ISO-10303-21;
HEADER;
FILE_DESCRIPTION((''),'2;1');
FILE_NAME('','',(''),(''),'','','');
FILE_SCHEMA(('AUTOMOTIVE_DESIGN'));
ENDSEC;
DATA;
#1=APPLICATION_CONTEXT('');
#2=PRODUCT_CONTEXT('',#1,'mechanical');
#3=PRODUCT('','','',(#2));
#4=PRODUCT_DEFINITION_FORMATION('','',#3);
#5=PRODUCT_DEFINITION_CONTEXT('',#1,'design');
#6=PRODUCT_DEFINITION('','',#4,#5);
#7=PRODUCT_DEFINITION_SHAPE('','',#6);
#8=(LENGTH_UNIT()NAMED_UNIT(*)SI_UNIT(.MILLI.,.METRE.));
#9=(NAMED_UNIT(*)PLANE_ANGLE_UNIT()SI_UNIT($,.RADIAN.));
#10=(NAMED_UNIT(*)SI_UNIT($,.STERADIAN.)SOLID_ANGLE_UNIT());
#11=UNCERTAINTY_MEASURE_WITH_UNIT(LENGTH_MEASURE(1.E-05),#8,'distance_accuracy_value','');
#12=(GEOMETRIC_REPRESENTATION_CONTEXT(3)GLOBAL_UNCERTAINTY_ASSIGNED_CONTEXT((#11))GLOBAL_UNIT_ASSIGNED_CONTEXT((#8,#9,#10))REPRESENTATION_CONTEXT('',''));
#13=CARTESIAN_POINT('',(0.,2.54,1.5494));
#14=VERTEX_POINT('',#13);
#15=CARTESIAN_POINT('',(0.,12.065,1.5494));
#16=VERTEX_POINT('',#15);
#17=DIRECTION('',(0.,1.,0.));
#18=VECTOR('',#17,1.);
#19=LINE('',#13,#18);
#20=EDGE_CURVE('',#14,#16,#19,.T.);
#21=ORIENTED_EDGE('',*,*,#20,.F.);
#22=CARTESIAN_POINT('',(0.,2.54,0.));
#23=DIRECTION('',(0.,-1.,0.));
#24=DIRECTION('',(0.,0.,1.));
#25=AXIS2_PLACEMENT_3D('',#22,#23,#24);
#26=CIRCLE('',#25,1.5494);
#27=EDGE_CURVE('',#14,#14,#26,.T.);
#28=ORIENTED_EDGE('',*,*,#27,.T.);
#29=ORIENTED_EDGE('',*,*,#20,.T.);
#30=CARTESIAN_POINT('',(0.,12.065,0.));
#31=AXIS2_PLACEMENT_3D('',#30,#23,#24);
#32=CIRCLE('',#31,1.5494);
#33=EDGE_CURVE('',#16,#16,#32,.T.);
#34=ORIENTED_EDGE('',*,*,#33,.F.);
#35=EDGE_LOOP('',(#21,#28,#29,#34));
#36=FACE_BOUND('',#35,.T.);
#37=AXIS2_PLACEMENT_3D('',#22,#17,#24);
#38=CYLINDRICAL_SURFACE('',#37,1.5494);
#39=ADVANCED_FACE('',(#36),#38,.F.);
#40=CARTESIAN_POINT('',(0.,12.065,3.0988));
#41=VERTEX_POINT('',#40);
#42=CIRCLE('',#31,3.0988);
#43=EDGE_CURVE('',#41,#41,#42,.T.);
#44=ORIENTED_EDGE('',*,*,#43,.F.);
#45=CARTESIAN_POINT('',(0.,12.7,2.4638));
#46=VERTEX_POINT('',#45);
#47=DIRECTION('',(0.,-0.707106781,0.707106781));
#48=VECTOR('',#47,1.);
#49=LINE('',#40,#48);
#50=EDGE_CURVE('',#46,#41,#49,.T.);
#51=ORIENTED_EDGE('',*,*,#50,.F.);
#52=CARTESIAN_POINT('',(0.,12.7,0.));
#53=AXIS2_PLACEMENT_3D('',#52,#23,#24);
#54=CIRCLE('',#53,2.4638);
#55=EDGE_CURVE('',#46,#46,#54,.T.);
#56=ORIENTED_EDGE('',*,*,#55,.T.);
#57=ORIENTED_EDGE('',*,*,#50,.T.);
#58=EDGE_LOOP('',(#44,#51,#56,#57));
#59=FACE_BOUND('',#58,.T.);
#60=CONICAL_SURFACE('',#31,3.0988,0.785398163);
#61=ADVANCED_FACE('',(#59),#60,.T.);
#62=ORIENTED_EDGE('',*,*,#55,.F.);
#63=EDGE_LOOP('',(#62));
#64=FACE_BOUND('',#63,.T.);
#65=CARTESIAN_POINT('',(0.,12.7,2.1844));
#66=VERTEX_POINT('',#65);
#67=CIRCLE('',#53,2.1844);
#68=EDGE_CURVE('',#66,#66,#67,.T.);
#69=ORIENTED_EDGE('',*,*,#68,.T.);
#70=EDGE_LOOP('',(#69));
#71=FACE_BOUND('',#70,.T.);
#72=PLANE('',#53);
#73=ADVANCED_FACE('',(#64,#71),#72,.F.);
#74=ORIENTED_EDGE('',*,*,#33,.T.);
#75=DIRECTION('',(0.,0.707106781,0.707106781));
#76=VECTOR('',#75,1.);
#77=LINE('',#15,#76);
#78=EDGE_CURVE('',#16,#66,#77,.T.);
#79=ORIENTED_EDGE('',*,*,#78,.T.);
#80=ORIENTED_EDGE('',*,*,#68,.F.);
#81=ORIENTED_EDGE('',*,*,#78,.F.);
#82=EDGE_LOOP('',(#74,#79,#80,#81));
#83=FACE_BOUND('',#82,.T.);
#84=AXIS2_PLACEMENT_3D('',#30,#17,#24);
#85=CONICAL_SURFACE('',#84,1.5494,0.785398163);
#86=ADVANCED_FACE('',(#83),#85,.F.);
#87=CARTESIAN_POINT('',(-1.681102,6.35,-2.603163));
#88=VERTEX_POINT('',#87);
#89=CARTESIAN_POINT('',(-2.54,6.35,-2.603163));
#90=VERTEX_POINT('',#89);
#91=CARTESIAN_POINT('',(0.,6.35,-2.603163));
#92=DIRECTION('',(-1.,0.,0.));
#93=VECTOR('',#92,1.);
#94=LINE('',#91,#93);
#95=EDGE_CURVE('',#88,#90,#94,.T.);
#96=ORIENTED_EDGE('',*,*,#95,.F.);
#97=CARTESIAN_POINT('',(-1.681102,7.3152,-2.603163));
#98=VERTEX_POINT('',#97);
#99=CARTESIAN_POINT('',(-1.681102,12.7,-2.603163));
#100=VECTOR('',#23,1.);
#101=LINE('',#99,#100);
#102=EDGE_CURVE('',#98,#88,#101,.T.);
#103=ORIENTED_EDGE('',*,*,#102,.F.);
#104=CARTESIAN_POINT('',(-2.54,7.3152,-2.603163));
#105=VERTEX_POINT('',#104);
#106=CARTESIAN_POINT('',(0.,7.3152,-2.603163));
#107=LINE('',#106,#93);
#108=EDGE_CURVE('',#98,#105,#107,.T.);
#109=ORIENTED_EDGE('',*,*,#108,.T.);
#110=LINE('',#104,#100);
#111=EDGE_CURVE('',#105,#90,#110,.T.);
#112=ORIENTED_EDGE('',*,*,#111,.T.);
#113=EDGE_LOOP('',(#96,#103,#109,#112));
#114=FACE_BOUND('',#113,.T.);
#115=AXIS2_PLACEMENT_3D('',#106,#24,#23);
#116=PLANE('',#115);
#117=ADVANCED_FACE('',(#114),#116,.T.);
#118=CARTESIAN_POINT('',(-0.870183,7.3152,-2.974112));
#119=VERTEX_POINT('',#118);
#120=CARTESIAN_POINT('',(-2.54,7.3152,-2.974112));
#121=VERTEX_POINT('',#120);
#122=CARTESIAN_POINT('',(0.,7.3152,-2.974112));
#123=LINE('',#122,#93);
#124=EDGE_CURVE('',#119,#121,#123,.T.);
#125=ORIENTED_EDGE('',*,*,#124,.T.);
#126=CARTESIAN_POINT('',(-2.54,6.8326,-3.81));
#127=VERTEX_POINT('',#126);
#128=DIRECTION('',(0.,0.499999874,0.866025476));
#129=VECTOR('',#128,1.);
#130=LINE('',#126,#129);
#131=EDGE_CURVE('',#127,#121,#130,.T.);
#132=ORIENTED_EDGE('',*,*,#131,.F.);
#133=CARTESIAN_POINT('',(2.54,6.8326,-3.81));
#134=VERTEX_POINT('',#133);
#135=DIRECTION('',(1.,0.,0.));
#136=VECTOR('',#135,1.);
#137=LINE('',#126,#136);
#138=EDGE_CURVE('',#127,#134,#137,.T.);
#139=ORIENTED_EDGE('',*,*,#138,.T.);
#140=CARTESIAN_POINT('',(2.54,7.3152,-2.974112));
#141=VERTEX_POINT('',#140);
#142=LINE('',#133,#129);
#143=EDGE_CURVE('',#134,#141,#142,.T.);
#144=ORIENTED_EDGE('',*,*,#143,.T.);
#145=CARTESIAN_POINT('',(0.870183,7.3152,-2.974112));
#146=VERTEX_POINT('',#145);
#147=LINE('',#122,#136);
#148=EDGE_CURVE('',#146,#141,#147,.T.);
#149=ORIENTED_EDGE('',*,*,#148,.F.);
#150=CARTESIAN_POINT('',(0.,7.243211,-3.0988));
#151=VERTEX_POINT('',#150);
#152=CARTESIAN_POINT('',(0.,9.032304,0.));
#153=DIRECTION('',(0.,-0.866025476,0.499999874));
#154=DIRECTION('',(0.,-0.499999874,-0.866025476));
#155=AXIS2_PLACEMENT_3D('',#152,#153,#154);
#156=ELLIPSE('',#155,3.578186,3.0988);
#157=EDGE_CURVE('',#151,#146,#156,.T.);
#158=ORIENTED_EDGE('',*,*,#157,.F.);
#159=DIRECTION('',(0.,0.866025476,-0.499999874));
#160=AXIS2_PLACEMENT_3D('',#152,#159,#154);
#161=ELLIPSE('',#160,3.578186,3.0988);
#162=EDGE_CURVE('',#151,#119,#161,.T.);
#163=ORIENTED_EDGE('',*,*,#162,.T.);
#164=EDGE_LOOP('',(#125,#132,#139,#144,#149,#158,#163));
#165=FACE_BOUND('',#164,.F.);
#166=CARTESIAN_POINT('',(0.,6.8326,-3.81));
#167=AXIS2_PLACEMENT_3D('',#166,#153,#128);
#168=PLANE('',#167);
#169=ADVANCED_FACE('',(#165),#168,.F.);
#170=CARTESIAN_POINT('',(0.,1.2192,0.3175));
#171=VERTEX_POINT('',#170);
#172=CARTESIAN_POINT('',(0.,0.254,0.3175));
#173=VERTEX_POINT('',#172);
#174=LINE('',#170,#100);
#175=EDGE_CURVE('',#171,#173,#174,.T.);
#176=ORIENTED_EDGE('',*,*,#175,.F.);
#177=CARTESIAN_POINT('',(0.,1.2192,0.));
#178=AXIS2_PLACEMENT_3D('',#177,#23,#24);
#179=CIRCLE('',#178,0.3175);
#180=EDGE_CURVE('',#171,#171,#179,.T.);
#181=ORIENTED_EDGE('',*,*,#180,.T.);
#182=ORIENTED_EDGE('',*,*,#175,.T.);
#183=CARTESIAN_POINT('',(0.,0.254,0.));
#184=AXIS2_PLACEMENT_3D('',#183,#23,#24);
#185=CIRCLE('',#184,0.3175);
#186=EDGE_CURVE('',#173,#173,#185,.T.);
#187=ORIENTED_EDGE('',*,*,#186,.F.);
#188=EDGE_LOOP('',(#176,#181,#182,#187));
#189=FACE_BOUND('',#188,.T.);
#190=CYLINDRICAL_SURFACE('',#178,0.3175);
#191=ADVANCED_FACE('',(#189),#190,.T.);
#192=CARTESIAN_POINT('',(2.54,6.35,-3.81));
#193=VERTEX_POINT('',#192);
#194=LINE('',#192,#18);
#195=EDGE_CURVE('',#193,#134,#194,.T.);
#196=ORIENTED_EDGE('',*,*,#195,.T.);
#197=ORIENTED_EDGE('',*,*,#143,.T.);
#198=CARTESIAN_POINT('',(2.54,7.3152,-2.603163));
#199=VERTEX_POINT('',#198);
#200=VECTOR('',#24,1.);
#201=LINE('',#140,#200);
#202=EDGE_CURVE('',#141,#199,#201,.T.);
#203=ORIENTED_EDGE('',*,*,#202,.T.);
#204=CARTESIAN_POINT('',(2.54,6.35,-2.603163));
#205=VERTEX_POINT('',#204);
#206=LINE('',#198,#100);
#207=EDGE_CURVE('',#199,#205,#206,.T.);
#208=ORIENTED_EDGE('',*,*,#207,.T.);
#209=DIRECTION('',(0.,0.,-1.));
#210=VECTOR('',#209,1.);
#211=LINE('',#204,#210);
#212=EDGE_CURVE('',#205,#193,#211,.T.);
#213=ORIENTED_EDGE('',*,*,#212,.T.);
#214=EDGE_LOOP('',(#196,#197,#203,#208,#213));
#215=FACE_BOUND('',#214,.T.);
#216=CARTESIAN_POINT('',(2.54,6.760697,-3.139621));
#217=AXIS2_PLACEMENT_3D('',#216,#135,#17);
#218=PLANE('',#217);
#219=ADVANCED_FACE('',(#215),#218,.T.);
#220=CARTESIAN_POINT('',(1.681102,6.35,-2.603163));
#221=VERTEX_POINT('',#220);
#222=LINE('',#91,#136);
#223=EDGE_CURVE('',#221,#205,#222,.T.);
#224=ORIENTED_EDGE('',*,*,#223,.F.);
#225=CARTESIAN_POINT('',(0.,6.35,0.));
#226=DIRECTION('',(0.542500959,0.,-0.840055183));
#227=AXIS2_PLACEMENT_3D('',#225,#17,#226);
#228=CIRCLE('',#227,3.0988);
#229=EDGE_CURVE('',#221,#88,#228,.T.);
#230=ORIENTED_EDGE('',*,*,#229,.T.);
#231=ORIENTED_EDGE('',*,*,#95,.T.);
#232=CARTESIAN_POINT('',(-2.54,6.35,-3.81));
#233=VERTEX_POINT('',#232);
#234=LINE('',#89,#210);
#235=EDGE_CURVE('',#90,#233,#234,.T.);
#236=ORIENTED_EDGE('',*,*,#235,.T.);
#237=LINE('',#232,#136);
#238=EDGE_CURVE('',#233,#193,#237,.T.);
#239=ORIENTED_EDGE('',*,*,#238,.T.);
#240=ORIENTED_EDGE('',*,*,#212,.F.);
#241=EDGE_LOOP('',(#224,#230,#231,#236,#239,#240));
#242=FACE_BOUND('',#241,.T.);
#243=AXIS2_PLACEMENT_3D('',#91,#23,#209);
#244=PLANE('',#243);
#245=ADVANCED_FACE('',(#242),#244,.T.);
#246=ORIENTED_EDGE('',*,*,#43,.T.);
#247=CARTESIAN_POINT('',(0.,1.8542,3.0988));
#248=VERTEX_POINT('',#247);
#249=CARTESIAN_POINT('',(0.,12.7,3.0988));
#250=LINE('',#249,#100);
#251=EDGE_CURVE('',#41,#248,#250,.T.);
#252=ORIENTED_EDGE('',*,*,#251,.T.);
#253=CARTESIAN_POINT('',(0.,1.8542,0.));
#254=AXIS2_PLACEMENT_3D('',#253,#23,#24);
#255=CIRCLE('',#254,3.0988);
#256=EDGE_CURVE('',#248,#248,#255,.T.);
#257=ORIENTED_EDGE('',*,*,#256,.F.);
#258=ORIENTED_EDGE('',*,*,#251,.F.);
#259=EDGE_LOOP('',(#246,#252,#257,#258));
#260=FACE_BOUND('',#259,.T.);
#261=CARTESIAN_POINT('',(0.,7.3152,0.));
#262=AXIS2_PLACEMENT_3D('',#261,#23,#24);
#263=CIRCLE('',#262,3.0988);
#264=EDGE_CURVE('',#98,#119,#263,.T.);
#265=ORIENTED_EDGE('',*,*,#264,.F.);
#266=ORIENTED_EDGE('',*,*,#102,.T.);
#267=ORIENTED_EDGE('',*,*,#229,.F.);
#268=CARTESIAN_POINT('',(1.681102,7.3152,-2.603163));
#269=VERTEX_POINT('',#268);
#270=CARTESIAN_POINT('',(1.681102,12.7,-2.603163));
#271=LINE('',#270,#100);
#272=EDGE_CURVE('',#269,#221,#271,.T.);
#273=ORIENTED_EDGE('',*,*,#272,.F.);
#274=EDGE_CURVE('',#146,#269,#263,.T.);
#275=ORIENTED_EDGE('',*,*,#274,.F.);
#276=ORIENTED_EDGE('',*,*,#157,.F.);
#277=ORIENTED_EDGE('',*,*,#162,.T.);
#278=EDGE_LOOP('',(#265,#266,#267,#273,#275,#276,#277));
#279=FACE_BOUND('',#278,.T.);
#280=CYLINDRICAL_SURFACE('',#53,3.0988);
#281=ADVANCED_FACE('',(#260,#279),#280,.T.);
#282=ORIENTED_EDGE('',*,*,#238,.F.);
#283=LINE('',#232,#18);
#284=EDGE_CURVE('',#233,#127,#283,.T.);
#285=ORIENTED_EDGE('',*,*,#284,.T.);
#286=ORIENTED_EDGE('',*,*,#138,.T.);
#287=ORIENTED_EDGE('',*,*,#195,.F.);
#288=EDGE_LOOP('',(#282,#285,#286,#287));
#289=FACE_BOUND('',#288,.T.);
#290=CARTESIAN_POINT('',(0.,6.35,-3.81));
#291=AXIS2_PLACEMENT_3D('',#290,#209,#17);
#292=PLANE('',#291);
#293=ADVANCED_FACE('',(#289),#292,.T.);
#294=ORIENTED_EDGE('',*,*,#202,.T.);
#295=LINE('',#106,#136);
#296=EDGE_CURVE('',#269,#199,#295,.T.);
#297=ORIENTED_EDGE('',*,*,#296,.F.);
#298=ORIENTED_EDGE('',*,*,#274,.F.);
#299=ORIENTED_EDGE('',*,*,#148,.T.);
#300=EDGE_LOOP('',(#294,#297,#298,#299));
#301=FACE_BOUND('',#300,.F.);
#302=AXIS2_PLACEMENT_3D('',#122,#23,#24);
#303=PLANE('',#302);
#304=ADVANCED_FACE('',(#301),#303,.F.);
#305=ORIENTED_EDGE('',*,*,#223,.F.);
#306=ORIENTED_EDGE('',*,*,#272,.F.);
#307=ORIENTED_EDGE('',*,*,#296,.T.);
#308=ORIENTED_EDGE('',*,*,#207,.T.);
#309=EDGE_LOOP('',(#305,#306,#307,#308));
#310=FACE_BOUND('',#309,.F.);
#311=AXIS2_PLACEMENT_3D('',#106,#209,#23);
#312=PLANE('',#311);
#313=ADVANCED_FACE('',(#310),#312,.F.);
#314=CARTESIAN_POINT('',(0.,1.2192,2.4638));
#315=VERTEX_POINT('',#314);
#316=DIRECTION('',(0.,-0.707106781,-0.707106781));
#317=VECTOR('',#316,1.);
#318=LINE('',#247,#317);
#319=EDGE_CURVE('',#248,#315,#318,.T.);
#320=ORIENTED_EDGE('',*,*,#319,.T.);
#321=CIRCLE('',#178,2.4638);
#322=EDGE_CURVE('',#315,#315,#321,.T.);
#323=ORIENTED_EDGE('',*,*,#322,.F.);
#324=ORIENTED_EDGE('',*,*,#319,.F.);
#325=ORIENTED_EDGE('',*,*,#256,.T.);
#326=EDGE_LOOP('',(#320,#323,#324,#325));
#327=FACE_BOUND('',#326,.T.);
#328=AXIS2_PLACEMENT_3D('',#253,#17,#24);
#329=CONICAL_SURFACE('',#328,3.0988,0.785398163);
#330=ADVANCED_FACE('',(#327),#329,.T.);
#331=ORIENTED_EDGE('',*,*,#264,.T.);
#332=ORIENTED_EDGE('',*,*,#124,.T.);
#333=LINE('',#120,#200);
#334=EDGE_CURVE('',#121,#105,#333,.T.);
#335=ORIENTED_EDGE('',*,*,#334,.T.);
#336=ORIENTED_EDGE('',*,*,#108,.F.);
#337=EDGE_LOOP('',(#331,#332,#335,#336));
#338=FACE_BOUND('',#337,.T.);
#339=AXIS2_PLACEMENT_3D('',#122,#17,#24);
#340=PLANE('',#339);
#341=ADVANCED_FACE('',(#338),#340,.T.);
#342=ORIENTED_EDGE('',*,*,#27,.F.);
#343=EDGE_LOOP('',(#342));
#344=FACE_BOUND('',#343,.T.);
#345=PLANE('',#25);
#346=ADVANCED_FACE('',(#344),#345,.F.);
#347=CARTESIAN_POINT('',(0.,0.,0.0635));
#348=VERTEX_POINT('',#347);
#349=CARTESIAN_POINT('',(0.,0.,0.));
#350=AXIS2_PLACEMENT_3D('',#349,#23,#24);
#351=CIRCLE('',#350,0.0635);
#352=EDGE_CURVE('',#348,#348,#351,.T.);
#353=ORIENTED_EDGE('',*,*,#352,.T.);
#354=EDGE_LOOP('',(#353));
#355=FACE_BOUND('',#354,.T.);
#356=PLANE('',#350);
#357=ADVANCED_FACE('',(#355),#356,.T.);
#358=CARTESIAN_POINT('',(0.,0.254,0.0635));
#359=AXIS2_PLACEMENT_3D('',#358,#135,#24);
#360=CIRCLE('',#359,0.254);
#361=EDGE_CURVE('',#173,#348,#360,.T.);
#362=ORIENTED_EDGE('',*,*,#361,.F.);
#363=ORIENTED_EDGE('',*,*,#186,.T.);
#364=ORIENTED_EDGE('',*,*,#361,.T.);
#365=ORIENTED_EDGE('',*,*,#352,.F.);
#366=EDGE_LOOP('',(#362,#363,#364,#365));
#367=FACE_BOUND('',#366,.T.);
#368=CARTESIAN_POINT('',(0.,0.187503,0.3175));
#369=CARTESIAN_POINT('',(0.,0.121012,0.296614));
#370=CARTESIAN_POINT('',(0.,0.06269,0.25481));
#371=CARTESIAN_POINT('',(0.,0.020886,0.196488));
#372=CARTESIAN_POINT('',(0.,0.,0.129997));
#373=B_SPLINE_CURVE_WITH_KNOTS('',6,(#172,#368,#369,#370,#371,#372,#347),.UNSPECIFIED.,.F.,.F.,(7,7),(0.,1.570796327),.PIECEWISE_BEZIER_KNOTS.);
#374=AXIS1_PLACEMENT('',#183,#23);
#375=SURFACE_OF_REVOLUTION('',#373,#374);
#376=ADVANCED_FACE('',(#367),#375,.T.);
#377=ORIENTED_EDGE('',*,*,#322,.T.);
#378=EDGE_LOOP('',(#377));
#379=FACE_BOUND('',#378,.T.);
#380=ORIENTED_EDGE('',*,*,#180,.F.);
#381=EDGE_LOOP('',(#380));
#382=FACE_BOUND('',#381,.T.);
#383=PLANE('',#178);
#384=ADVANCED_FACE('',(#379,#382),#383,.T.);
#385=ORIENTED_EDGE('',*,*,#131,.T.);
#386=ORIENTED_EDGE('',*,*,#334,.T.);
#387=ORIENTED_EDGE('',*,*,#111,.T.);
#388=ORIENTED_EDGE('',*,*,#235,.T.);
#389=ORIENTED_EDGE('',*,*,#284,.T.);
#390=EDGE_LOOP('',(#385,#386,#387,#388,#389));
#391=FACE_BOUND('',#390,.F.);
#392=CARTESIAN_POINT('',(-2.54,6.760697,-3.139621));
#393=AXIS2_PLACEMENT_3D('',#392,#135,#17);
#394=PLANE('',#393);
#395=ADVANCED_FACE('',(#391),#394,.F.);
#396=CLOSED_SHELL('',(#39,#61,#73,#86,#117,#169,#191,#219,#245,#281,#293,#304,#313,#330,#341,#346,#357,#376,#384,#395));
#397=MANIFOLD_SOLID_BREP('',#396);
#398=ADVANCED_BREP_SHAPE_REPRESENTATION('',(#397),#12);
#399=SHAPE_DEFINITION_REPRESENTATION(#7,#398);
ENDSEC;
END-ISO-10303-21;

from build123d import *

# Parameters (mm, degrees)
F2_SIZE       = 0.635
F3_R          = 0.254
F5_DEPTH      = 2.54
F5_DEPTH_BACK = 2.54


with BuildPart() as f1:
    # F0 (on Right) → F1 (revolve)
    with BuildSketch(Plane.YZ):
        Polygon((0, 0.3175), (0, 0), (2.54, 0), (2.54, 1.5494), (12.7, 1.5494), (12.7, 3.0988), (1.2192, 3.0988), (1.2192, 0.3175), align=None)
    revolve(axis=Axis((0, 1.27, 0), (0, -1, 0)))

    # F2
    f2_edges = [f1.edges().sort_by_distance(p)[0] for p in [
        (0, 1.2192, -3.0988),
        (0, 12.7, -1.5494),
        (0, 12.7, -3.0988),
    ]]
    chamfer(f2_edges, length=F2_SIZE)

    # F3
    f3_edges = [f1.edges().sort_by_distance(p)[0] for p in [
        (0, 0, -0.3175),
    ]]
    fillet(f3_edges, radius=F3_R)

    # F4 (on Right) → F5 (join, two sides)
    with BuildSketch(Plane.YZ) as f5_sk:
        Polygon((6.35, -2.603163), (6.35, -3.81), (6.8326, -3.81), (7.3152, -2.974112), (7.3152, -2.603163), align=None)
    extrude(amount=F5_DEPTH)
    extrude(f5_sk.sketch, amount=-F5_DEPTH_BACK)


solid = f1.part
